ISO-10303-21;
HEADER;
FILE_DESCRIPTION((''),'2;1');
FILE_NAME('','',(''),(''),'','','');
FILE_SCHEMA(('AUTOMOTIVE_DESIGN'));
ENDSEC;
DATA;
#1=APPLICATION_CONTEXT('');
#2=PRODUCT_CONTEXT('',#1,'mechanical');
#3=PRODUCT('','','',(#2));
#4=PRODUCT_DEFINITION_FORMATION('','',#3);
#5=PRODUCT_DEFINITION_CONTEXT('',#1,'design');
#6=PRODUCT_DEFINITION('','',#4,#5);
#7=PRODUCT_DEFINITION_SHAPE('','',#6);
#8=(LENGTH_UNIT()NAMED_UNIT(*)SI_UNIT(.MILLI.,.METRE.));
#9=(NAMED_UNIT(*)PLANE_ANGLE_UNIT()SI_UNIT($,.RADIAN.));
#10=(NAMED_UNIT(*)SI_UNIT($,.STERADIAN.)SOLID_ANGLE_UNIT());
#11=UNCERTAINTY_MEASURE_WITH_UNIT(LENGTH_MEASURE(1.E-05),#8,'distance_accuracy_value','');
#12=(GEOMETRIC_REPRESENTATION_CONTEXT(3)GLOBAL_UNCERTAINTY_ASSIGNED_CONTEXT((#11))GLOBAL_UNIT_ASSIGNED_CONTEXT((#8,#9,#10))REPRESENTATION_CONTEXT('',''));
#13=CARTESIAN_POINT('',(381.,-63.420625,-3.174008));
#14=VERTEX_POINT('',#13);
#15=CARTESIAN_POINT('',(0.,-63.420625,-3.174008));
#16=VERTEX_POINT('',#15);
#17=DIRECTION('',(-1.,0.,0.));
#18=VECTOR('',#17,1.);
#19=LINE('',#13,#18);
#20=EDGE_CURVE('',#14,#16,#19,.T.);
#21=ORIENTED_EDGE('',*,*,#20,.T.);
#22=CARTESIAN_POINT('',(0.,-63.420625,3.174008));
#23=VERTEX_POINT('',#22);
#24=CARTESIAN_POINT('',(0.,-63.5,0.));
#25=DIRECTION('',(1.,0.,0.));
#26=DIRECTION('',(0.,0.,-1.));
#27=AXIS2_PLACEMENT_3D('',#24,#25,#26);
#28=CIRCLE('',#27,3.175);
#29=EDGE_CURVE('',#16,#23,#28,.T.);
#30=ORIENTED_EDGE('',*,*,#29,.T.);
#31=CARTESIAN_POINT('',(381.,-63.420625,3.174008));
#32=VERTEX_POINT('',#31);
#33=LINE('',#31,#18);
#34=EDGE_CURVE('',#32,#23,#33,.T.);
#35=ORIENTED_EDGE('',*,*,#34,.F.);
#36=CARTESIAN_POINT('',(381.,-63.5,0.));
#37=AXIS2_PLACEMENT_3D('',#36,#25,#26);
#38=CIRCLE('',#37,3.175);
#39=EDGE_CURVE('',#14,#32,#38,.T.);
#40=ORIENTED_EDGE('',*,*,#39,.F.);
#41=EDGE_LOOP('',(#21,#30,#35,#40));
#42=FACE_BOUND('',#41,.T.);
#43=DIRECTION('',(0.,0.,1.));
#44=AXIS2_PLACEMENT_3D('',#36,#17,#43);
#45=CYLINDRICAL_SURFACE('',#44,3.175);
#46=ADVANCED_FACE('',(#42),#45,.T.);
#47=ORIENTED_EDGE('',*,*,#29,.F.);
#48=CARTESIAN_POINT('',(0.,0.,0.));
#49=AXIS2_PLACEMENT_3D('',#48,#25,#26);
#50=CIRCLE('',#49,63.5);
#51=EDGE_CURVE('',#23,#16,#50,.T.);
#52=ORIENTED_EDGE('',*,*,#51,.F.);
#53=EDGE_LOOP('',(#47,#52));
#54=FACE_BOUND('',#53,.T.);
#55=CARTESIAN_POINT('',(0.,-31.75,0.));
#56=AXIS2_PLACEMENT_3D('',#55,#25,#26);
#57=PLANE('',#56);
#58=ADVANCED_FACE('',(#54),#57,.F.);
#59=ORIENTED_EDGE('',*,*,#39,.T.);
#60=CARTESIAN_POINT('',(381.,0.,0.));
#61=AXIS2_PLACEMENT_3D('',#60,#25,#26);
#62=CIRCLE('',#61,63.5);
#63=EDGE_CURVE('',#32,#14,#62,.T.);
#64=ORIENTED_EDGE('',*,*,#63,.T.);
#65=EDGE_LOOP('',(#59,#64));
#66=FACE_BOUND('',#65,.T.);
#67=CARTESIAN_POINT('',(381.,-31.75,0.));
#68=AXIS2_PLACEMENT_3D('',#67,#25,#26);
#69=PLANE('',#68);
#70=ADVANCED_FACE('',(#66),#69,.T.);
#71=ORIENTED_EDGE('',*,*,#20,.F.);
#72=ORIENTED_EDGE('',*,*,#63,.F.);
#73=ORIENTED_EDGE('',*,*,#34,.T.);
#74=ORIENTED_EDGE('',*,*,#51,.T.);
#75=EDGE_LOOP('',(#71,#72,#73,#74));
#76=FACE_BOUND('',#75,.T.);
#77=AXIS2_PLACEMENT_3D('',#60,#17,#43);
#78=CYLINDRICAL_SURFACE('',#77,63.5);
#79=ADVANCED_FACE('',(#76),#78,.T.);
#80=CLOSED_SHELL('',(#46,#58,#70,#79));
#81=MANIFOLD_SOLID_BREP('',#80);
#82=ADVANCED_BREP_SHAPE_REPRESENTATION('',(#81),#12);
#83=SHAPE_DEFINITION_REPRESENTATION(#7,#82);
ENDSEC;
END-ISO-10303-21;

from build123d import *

# Parameters (mm, degrees)
BOSS_EXTRUDE1_DEPTH = 381


with BuildPart() as part:
    # Sketch1 → Boss-Extrude1 (new body)
    with BuildSketch(Plane(origin=(0, 0, 0), x_dir=(0, 0, -1), z_dir=(1, 0, 0))):
        with BuildLine():
            ThreePointArc((-3.174007657, -63.420625), (0, -63.5), (3.174007657, -63.420625))
            ThreePointArc((3.174007657, -63.420625), (0, -60.325), (-3.174007657, -63.420625))
        make_face()
    extrude(amount=BOSS_EXTRUDE1_DEPTH)


solid = part.part
